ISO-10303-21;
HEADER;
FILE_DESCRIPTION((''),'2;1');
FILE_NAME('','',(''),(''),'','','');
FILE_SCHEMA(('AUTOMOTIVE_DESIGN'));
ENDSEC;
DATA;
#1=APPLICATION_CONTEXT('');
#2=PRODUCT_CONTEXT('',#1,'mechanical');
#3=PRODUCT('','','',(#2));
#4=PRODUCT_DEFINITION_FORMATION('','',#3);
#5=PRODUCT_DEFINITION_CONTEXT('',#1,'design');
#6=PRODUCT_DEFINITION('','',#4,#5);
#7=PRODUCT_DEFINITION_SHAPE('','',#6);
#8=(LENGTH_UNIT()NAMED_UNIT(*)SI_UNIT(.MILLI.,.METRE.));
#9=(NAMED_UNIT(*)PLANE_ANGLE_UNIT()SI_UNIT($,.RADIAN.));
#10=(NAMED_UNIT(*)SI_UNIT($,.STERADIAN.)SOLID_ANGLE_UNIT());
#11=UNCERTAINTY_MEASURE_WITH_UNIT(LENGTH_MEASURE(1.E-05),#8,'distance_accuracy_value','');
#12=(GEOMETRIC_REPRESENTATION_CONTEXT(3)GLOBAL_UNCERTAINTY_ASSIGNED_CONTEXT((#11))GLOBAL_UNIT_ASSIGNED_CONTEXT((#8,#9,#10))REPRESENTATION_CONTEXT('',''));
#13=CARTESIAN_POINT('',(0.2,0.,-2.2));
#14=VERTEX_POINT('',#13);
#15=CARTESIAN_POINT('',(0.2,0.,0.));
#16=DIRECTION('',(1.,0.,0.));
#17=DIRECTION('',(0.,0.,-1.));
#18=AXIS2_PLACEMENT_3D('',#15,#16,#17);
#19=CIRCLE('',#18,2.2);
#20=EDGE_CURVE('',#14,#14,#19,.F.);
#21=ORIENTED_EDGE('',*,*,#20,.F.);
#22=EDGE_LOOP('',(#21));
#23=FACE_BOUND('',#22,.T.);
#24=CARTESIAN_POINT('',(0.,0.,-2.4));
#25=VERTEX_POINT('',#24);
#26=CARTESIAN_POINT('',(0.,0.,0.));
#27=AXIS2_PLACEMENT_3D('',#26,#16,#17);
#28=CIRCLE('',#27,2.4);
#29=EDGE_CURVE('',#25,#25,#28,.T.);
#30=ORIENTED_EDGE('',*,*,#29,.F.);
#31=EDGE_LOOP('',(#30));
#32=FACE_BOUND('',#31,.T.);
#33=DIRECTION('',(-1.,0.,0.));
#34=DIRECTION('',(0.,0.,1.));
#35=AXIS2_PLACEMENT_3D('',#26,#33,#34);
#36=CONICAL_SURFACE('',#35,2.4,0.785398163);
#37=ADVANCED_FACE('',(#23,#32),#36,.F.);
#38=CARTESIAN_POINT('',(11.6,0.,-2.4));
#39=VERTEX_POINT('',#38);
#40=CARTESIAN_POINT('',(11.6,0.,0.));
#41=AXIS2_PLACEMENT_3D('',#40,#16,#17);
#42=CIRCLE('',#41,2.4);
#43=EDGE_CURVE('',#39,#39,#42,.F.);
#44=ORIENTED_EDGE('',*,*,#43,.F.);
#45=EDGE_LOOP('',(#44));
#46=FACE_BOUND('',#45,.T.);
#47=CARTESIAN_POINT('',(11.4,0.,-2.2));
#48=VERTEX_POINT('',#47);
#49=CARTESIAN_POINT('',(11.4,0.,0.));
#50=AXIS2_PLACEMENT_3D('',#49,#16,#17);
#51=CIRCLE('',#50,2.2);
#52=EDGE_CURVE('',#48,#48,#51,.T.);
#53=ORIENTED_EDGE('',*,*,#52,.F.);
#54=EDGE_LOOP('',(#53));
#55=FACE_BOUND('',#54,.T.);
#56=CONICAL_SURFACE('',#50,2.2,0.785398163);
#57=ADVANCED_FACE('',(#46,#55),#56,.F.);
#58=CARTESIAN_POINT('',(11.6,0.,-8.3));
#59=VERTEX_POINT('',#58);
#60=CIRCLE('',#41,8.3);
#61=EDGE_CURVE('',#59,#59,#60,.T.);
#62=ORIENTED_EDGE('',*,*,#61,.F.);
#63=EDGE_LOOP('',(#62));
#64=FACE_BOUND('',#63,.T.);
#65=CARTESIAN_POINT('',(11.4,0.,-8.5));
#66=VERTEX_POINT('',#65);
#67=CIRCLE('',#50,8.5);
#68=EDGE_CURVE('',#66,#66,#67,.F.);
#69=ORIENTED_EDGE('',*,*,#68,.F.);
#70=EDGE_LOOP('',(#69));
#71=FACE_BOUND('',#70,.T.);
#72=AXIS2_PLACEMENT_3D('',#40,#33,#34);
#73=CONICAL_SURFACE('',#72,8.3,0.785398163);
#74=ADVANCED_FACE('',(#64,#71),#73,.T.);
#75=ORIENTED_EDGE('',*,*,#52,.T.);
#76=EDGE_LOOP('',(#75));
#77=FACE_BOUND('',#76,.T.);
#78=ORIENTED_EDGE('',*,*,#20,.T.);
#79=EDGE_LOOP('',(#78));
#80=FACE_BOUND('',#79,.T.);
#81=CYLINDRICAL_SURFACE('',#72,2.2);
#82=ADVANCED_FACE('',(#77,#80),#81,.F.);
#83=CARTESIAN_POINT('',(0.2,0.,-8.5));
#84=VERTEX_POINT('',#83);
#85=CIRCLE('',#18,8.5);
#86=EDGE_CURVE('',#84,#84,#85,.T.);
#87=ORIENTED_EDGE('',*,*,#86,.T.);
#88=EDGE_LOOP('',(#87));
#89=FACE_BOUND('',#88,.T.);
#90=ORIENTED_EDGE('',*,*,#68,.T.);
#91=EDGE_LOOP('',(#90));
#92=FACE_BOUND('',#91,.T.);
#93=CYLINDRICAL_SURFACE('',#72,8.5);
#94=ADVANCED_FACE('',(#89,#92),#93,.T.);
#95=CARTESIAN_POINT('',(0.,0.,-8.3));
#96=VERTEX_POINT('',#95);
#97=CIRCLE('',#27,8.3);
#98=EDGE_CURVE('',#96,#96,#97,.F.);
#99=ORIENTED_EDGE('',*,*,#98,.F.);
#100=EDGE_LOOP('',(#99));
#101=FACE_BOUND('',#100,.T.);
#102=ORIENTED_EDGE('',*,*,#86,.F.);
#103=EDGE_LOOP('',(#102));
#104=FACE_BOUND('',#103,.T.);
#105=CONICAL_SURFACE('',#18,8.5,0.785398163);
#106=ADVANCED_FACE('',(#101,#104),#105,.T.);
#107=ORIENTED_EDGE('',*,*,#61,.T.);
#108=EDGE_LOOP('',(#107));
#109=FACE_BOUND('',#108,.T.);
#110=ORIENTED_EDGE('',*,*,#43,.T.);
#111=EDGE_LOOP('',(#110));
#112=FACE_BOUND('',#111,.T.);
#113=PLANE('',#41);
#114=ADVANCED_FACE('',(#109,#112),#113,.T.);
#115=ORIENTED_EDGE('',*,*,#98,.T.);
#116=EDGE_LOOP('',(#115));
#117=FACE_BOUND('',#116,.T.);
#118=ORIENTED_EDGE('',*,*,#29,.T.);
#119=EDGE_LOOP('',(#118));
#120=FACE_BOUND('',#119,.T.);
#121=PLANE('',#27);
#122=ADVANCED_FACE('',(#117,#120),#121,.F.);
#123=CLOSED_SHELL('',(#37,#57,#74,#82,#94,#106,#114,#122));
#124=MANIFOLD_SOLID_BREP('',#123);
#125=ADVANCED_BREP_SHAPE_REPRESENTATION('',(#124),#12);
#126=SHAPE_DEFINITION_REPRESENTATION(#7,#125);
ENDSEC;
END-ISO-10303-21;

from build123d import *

# Parameters (mm, degrees)
SKETCH_1_R      = 8.5
SKETCH_1_R_2    = 2.2
EXTRUDE_1_DEPTH = 11.6
CHAMFER_1_SIZE  = 0.2


with BuildPart() as part:
    # 草图1 → 凸台-拉伸1 (new body)
    with BuildSketch(Plane(origin=(0, 0, 0), x_dir=(0, 0, -1), z_dir=(1, 0, 0))):
        Circle(SKETCH_1_R)
        Circle(SKETCH_1_R_2, mode=Mode.SUBTRACT)
    extrude(amount=EXTRUDE_1_DEPTH)

    # 倒角1
    chamfer_1_edges = [part.edges().sort_by_distance(p)[0] for p in [
        (0, 0, 8.5),
        (11.6, 0, 8.5),
        (0, 0, 2.2),
        (11.6, 0, 2.2),
    ]]
    chamfer(chamfer_1_edges, length=CHAMFER_1_SIZE)


solid = part.part
